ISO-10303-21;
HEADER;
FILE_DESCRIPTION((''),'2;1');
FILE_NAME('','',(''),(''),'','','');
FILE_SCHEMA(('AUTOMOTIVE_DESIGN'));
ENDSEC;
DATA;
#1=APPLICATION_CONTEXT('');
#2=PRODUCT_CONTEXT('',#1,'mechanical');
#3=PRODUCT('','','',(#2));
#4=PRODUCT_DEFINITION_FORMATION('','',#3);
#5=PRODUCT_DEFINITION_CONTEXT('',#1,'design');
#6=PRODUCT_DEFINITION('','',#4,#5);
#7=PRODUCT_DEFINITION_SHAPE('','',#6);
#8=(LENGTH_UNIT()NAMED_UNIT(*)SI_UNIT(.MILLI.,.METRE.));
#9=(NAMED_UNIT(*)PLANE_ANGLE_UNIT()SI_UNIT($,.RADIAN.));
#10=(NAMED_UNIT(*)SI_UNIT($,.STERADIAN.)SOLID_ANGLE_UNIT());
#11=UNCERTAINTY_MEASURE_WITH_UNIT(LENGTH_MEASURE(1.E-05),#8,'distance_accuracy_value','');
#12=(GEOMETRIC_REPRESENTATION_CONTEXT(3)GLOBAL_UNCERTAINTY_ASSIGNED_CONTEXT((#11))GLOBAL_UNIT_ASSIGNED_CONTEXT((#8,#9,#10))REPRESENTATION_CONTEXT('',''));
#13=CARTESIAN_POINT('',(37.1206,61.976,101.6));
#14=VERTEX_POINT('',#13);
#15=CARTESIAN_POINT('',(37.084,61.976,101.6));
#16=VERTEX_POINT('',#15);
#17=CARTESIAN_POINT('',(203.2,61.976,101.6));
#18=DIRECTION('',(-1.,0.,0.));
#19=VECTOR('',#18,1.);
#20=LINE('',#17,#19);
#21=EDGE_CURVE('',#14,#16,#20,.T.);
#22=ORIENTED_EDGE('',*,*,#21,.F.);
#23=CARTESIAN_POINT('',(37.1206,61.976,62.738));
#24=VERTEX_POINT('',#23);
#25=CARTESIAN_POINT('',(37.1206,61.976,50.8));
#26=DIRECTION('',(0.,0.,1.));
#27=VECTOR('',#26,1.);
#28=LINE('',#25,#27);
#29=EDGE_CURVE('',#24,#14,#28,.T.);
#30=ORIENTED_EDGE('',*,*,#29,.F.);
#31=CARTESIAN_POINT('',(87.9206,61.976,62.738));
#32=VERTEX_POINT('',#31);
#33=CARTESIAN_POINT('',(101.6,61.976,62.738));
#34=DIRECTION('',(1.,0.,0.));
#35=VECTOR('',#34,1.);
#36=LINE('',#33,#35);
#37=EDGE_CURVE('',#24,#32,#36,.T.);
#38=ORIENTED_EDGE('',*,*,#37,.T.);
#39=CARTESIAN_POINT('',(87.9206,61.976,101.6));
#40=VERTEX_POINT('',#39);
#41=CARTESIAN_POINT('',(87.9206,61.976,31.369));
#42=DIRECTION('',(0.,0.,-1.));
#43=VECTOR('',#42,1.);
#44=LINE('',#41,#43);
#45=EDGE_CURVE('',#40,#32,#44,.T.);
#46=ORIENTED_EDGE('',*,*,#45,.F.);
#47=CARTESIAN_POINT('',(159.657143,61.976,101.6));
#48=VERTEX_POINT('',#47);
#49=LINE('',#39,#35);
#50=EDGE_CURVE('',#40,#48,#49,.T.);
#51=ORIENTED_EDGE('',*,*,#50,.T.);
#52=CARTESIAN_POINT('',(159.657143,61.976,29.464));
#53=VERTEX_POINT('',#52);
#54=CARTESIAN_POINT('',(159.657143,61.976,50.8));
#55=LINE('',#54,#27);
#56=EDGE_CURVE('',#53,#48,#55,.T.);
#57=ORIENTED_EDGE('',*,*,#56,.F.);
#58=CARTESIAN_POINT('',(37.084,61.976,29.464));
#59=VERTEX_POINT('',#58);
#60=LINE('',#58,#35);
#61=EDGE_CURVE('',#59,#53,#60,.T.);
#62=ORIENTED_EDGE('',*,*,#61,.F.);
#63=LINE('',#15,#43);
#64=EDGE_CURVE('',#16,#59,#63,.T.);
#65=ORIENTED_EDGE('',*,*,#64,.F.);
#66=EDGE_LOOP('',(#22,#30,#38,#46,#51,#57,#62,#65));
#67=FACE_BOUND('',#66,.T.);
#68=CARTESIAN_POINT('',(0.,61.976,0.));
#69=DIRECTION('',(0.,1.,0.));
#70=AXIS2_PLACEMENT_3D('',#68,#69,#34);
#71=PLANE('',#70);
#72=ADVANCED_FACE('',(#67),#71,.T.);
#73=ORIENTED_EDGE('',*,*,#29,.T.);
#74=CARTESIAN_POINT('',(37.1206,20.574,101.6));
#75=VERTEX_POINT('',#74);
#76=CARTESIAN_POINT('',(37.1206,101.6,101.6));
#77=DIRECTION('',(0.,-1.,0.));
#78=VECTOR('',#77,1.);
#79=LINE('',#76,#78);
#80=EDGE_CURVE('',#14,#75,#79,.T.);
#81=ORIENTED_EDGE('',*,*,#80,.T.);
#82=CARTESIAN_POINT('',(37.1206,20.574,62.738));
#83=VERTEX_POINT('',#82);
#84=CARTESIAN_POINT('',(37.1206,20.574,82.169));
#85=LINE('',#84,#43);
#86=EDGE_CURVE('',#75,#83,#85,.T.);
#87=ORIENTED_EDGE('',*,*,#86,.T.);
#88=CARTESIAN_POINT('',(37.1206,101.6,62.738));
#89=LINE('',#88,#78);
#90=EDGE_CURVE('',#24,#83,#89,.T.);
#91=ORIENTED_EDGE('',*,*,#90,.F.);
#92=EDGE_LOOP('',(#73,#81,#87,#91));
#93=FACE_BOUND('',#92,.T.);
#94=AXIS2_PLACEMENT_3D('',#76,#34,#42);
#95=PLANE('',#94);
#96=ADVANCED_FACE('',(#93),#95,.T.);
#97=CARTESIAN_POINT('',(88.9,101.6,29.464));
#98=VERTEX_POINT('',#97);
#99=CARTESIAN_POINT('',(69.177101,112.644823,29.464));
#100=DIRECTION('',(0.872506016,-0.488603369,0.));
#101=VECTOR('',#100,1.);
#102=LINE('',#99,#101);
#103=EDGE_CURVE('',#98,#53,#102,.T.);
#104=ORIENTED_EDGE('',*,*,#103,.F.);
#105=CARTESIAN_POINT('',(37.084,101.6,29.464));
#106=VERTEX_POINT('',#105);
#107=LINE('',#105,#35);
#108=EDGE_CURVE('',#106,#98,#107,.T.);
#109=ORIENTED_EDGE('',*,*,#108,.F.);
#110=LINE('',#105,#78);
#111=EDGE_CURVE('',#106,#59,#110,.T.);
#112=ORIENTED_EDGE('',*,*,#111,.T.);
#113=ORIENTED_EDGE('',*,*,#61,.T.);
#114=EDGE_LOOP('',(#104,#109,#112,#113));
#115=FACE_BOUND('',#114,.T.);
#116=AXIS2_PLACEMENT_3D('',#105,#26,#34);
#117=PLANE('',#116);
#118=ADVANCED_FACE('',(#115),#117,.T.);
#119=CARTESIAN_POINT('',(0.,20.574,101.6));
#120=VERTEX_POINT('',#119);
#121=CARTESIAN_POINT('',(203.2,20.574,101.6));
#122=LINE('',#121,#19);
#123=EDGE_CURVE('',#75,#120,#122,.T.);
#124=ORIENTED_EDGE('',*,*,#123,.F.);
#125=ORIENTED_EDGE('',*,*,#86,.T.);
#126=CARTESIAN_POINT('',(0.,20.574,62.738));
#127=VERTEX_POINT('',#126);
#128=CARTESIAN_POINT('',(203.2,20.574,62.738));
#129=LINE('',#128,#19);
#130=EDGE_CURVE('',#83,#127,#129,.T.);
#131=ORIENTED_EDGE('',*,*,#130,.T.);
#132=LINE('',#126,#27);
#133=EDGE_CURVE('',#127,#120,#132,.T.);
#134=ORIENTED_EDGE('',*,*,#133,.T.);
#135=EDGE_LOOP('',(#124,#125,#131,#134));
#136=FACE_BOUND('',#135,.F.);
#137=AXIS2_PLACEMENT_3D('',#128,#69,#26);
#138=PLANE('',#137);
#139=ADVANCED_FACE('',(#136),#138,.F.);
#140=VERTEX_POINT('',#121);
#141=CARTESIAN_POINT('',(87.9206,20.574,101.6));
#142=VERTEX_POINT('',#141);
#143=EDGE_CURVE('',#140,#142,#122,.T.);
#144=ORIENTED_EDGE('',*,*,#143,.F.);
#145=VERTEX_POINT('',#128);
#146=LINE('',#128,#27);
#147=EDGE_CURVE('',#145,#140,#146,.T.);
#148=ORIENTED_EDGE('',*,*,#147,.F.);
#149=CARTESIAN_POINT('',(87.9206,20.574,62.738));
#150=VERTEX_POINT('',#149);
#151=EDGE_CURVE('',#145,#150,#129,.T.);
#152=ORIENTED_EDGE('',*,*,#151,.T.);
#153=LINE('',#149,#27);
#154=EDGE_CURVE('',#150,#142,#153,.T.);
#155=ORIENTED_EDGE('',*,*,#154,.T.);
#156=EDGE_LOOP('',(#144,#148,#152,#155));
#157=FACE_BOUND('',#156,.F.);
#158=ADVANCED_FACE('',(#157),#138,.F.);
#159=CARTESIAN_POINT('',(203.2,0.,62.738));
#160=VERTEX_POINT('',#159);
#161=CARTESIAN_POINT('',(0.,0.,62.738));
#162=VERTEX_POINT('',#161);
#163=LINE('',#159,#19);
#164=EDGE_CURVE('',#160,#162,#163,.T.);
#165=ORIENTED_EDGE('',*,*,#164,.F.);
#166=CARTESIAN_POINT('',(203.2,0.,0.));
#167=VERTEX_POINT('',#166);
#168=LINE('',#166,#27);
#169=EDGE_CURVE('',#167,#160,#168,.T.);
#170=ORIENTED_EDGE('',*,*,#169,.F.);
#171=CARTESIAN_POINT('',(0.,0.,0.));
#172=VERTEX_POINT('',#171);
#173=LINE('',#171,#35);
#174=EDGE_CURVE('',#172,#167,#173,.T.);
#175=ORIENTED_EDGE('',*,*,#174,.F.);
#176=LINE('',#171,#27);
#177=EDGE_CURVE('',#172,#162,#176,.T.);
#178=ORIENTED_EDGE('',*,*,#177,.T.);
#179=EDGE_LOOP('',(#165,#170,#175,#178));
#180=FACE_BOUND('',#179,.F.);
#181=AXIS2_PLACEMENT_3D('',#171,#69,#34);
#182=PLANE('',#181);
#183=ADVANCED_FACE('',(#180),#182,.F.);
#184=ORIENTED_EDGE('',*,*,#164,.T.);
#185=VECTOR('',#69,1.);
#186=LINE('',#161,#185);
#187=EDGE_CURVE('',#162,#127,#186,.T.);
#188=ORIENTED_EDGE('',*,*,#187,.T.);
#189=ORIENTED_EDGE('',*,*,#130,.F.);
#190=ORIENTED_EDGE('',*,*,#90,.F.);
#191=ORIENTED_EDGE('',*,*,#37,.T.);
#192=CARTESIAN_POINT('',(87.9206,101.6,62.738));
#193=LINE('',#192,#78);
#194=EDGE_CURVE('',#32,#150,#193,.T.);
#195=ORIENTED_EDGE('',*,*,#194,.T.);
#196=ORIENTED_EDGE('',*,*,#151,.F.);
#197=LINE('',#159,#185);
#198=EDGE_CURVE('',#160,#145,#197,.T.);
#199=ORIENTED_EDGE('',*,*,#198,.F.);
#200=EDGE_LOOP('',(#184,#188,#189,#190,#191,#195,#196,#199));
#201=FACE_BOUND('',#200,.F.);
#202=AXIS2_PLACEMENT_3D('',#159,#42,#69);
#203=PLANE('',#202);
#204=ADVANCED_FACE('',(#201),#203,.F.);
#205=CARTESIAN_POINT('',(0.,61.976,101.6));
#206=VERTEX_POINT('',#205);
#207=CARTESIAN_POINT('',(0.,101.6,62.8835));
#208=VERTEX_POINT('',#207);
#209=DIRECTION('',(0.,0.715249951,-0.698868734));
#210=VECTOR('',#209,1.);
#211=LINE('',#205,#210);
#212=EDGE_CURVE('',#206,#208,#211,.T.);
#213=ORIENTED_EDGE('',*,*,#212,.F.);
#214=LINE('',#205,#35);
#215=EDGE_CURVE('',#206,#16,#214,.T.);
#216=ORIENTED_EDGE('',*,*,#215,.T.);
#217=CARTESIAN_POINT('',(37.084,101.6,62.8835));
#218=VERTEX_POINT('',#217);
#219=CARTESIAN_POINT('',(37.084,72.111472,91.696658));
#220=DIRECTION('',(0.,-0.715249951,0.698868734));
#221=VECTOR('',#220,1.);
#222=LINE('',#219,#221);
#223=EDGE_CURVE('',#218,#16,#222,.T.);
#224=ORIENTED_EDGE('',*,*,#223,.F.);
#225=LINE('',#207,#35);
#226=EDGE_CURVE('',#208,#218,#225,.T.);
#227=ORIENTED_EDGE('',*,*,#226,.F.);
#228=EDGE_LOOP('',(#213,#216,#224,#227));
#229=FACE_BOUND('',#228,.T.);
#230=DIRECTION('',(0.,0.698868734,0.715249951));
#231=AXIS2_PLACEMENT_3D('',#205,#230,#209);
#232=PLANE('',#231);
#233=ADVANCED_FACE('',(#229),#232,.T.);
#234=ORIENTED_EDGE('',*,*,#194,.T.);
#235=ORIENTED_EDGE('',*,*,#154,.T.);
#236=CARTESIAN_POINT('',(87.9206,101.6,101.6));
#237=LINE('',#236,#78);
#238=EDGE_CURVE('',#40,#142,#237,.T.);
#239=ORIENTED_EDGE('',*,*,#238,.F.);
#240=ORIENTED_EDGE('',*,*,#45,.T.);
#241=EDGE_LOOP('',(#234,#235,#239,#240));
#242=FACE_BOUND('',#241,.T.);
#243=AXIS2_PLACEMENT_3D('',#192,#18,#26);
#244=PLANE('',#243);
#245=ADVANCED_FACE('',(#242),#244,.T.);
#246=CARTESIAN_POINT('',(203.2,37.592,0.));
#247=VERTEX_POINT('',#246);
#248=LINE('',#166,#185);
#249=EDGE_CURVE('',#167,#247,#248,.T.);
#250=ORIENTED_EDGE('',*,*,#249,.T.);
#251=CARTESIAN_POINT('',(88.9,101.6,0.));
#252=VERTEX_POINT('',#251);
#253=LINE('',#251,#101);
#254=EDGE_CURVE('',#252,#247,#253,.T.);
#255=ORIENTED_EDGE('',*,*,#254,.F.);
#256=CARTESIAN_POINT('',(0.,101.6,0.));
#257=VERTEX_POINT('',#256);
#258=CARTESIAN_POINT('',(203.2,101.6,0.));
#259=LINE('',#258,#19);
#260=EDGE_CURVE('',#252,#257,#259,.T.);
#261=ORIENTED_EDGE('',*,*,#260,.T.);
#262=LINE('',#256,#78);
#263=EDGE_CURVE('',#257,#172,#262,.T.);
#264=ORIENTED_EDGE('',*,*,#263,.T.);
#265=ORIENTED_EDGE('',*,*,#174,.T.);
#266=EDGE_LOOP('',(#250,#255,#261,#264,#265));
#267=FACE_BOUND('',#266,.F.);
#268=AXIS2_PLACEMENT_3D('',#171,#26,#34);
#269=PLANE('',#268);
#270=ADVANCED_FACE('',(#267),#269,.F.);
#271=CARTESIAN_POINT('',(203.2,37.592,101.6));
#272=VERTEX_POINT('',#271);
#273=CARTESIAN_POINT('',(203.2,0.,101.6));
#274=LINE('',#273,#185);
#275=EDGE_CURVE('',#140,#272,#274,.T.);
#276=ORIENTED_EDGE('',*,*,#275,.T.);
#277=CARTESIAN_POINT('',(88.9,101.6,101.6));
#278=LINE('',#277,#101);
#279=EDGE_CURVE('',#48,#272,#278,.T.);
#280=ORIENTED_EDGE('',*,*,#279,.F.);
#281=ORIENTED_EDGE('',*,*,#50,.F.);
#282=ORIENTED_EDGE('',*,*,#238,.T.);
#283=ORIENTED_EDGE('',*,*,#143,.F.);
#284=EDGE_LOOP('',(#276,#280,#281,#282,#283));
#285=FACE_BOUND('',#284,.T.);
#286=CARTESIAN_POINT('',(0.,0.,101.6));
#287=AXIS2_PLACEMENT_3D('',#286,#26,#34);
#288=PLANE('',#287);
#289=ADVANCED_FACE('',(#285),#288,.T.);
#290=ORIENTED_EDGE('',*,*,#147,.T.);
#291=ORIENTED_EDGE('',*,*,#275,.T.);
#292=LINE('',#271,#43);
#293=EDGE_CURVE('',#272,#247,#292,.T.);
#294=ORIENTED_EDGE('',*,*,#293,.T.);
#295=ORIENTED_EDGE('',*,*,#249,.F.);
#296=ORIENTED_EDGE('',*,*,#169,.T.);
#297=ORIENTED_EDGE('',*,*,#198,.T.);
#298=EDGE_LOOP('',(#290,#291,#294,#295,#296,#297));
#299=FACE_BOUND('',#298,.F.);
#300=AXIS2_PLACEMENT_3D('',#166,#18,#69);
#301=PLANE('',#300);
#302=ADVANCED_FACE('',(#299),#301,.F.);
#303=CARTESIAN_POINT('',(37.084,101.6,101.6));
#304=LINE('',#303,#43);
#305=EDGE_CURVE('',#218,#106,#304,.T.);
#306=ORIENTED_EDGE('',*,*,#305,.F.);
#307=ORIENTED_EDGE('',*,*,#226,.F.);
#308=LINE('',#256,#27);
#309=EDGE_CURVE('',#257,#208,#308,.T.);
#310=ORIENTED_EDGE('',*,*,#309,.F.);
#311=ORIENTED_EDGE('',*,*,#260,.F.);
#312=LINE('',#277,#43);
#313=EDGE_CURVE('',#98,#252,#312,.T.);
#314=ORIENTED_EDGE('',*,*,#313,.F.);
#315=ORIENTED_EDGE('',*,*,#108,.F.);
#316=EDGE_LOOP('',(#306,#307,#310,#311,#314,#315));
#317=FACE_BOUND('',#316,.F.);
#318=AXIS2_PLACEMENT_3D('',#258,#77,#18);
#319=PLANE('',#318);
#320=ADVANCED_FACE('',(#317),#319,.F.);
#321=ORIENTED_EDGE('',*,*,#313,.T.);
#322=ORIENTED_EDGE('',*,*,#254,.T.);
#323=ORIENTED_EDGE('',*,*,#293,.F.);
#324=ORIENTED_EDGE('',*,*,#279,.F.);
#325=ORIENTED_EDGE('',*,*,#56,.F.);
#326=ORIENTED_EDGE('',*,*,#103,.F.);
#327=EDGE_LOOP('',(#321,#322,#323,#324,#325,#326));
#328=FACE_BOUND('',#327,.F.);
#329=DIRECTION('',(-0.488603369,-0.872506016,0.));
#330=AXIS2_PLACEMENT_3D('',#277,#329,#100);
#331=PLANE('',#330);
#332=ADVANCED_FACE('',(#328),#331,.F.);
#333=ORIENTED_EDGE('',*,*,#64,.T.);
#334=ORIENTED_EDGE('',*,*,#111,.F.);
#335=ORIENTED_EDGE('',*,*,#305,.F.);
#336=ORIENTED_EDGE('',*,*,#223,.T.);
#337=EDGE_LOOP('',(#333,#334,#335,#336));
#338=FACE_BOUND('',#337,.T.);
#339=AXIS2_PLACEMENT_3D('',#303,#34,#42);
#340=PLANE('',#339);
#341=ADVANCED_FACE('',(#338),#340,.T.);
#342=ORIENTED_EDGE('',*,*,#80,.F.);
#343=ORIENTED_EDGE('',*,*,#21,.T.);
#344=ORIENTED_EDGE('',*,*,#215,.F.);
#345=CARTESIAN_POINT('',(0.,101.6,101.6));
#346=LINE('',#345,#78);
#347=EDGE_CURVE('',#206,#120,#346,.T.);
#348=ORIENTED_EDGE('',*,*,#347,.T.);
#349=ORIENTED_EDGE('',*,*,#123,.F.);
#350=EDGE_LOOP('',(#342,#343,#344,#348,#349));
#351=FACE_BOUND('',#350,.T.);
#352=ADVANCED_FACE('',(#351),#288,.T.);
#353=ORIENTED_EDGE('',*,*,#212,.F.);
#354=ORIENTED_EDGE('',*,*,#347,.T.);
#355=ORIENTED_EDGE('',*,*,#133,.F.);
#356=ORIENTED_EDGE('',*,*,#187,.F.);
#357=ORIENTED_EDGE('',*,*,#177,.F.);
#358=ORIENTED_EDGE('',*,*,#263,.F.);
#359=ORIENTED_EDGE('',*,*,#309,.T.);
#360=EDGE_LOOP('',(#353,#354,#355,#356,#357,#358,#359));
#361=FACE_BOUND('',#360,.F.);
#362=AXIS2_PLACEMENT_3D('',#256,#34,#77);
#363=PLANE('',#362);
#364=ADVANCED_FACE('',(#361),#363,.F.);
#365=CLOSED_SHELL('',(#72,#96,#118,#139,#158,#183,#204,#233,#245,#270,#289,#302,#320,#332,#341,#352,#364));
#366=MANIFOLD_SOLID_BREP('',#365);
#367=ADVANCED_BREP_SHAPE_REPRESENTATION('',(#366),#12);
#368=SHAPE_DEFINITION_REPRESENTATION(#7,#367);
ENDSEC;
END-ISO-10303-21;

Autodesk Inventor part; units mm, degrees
ref_plane "YZ Plane" through (0, 0, 0) normal (1, 0, 0) x (0, 1, 0)
ref_plane "XZ Plane" through (0, 0, 0) normal (0, 1, 0) x (-1, 0, 0)
ref_plane "XY Plane" through (0, 0, 0) normal (0, 0, 1) x (1, 0, 0)
sketch "Sketch1" plane through (0, 0, 0) normal (0, 0, 1) x (1, 0, 0)
  line L0 (0, 0) -> (203.2, 0)
  line L1 (203.2, 0) -> (203.2, 101.6)
  line L2 (203.2, 101.6) -> (0, 101.6)
  line L3 (0, 101.6) -> (0, 0)
  dimension "d0" = 203.2
  dimension "d1" = 101.6
extrude "Extrusion1" add sketch "Sketch1" along normal blind 101.6
sketch "Sketch2" plane through (203.2, 0, 0) normal (1, 0, 0) x (0, 0, -1)
  line L0 (0, 0) -> (-101.6, 0) projected
  line L1 (-101.6, 0) -> (-62.738, 0)
  line L2 (-62.738, 0) -> (-101.6, 0)
  line L3 (-62.738, 0) -> (-62.738, 20.574)
  line L4 (-62.738, 20.574) -> (-101.6, 20.574)
  line L5 (-101.6, 0) -> (-101.6, 101.6) projected
  line L6 (-101.6, 20.574) -> (-101.6, 0)
  dimension "d4" = 38.862
  dimension "d5" = 20.574
extrude "Extrusion2" cut sketch "Sketch2" against normal blind 203.2
sketch "Sketch3" plane through (0, 101.6, 0) normal (0, 1, 0) x (1, 0, 0)
  line L0 (0, 0) -> (0, -101.6) projected
  line L1 (0, -101.6) -> (37.084, -101.6)
  line L2 (203.2, -101.6) -> (0, -101.6) projected
  line L3 (37.084, -101.6) -> (37.084, -29.464)
  line L4 (37.084, -29.464) -> (159.766, -29.464)
  line L5 (159.766, -29.464) -> (159.766, -101.6)
  dimension "d8" = 37.084
  dimension "d9" = 72.136
  dimension "d10" = 122.682
sketch "Sketch4" plane through (0, 101.6, 0) normal (0, 1, 0) x (1, 0, 0)
  line L0 (203.2, -101.6) -> (0, -101.6) projected
  line L1 (37.1206, -101.6) -> (-1.7414, -101.6)
  line L2 (37.1206, -101.6) -> (37.1206, -62.738)
  line L3 (37.1206, -62.738) -> (87.9206, -62.738)
  line L4 (203.2, -62.738) -> (0, -62.738) projected
  line L5 (87.9206, -62.738) -> (87.9206, -101.6)
  point P0 (0, 0)
  dimension "d11" = 38.862
  dimension "d12" = 38.862
  dimension "d13" = 50.8
extrude "Extrusion3" cut sketch "Sketch4" against normal blind 203.2
extrude "Extrusion4" cut sketch "Sketch3" against normal blind 39.624
sketch "Sketch5" plane through (0, 0, 101.6) normal (0, 0, 1) x (1, 0, 0)
  line L0 (203.2, 20.574) -> (203.2, 101.6) projected
  line L1 (203.2, 101.6) -> (203.2, 37.592)
  line L2 (203.2, 37.592) -> (203.2, 101.6)
  line L3 (203.2, 101.6) -> (88.9, 101.6)
  line L4 (203.2, 101.6) -> (0, 101.6) projected
  line L5 (88.9, 101.6) -> (203.2, 37.592)
  point P0 (0, 0)
  dimension "d18" = 64.008
  dimension "d19" = 114.3
extrude "Extrusion5" cut sketch "Sketch5" against normal blind 101.6
sketch "Sketch6" plane through (0, 0, 101.6) normal (0, 0, 1) x (1, 0, 0)
  point P0 (0, 0)
sketch "Sketch7" plane through (0, 101.6, 101.6) normal (0, 1, 0) x (1, 0, 0)
  line L0 (37.084, 0) -> (0, 0) projected
  line L1 (0, 0) -> (0, 38.862)
  line L2 (0, 101.6) -> (0, 0) projected
  dimension "d22" = 38.862
sketch "Sketch8" plane through (0, 0, 0) normal (-1, 0, 0) x (0, 0, 1)
  point P0 (0, 0)
sketch "Sketch9" plane through (0, 0, 0) normal (-1, 0, 0) x (0, 0, 1)
  line L0 (101.6, 101.6) -> (101.6, 20.574) projected
  line L1 (101.6, 101.6) -> (101.6, 61.976)
  line L2 (101.6, 61.976) -> (62.8835, 101.6)
  line L3 (101.6, 101.6) -> (29.464, 101.6) projected
  line L4 (62.8835, 101.6) -> (101.6, 101.6)
  point P0 (0, 0)
  dimension "d23" = 39.624
extrude "Extrusion6" cut sketch "Sketch9" against normal blind 101.6
properties part number "orthographic4"
